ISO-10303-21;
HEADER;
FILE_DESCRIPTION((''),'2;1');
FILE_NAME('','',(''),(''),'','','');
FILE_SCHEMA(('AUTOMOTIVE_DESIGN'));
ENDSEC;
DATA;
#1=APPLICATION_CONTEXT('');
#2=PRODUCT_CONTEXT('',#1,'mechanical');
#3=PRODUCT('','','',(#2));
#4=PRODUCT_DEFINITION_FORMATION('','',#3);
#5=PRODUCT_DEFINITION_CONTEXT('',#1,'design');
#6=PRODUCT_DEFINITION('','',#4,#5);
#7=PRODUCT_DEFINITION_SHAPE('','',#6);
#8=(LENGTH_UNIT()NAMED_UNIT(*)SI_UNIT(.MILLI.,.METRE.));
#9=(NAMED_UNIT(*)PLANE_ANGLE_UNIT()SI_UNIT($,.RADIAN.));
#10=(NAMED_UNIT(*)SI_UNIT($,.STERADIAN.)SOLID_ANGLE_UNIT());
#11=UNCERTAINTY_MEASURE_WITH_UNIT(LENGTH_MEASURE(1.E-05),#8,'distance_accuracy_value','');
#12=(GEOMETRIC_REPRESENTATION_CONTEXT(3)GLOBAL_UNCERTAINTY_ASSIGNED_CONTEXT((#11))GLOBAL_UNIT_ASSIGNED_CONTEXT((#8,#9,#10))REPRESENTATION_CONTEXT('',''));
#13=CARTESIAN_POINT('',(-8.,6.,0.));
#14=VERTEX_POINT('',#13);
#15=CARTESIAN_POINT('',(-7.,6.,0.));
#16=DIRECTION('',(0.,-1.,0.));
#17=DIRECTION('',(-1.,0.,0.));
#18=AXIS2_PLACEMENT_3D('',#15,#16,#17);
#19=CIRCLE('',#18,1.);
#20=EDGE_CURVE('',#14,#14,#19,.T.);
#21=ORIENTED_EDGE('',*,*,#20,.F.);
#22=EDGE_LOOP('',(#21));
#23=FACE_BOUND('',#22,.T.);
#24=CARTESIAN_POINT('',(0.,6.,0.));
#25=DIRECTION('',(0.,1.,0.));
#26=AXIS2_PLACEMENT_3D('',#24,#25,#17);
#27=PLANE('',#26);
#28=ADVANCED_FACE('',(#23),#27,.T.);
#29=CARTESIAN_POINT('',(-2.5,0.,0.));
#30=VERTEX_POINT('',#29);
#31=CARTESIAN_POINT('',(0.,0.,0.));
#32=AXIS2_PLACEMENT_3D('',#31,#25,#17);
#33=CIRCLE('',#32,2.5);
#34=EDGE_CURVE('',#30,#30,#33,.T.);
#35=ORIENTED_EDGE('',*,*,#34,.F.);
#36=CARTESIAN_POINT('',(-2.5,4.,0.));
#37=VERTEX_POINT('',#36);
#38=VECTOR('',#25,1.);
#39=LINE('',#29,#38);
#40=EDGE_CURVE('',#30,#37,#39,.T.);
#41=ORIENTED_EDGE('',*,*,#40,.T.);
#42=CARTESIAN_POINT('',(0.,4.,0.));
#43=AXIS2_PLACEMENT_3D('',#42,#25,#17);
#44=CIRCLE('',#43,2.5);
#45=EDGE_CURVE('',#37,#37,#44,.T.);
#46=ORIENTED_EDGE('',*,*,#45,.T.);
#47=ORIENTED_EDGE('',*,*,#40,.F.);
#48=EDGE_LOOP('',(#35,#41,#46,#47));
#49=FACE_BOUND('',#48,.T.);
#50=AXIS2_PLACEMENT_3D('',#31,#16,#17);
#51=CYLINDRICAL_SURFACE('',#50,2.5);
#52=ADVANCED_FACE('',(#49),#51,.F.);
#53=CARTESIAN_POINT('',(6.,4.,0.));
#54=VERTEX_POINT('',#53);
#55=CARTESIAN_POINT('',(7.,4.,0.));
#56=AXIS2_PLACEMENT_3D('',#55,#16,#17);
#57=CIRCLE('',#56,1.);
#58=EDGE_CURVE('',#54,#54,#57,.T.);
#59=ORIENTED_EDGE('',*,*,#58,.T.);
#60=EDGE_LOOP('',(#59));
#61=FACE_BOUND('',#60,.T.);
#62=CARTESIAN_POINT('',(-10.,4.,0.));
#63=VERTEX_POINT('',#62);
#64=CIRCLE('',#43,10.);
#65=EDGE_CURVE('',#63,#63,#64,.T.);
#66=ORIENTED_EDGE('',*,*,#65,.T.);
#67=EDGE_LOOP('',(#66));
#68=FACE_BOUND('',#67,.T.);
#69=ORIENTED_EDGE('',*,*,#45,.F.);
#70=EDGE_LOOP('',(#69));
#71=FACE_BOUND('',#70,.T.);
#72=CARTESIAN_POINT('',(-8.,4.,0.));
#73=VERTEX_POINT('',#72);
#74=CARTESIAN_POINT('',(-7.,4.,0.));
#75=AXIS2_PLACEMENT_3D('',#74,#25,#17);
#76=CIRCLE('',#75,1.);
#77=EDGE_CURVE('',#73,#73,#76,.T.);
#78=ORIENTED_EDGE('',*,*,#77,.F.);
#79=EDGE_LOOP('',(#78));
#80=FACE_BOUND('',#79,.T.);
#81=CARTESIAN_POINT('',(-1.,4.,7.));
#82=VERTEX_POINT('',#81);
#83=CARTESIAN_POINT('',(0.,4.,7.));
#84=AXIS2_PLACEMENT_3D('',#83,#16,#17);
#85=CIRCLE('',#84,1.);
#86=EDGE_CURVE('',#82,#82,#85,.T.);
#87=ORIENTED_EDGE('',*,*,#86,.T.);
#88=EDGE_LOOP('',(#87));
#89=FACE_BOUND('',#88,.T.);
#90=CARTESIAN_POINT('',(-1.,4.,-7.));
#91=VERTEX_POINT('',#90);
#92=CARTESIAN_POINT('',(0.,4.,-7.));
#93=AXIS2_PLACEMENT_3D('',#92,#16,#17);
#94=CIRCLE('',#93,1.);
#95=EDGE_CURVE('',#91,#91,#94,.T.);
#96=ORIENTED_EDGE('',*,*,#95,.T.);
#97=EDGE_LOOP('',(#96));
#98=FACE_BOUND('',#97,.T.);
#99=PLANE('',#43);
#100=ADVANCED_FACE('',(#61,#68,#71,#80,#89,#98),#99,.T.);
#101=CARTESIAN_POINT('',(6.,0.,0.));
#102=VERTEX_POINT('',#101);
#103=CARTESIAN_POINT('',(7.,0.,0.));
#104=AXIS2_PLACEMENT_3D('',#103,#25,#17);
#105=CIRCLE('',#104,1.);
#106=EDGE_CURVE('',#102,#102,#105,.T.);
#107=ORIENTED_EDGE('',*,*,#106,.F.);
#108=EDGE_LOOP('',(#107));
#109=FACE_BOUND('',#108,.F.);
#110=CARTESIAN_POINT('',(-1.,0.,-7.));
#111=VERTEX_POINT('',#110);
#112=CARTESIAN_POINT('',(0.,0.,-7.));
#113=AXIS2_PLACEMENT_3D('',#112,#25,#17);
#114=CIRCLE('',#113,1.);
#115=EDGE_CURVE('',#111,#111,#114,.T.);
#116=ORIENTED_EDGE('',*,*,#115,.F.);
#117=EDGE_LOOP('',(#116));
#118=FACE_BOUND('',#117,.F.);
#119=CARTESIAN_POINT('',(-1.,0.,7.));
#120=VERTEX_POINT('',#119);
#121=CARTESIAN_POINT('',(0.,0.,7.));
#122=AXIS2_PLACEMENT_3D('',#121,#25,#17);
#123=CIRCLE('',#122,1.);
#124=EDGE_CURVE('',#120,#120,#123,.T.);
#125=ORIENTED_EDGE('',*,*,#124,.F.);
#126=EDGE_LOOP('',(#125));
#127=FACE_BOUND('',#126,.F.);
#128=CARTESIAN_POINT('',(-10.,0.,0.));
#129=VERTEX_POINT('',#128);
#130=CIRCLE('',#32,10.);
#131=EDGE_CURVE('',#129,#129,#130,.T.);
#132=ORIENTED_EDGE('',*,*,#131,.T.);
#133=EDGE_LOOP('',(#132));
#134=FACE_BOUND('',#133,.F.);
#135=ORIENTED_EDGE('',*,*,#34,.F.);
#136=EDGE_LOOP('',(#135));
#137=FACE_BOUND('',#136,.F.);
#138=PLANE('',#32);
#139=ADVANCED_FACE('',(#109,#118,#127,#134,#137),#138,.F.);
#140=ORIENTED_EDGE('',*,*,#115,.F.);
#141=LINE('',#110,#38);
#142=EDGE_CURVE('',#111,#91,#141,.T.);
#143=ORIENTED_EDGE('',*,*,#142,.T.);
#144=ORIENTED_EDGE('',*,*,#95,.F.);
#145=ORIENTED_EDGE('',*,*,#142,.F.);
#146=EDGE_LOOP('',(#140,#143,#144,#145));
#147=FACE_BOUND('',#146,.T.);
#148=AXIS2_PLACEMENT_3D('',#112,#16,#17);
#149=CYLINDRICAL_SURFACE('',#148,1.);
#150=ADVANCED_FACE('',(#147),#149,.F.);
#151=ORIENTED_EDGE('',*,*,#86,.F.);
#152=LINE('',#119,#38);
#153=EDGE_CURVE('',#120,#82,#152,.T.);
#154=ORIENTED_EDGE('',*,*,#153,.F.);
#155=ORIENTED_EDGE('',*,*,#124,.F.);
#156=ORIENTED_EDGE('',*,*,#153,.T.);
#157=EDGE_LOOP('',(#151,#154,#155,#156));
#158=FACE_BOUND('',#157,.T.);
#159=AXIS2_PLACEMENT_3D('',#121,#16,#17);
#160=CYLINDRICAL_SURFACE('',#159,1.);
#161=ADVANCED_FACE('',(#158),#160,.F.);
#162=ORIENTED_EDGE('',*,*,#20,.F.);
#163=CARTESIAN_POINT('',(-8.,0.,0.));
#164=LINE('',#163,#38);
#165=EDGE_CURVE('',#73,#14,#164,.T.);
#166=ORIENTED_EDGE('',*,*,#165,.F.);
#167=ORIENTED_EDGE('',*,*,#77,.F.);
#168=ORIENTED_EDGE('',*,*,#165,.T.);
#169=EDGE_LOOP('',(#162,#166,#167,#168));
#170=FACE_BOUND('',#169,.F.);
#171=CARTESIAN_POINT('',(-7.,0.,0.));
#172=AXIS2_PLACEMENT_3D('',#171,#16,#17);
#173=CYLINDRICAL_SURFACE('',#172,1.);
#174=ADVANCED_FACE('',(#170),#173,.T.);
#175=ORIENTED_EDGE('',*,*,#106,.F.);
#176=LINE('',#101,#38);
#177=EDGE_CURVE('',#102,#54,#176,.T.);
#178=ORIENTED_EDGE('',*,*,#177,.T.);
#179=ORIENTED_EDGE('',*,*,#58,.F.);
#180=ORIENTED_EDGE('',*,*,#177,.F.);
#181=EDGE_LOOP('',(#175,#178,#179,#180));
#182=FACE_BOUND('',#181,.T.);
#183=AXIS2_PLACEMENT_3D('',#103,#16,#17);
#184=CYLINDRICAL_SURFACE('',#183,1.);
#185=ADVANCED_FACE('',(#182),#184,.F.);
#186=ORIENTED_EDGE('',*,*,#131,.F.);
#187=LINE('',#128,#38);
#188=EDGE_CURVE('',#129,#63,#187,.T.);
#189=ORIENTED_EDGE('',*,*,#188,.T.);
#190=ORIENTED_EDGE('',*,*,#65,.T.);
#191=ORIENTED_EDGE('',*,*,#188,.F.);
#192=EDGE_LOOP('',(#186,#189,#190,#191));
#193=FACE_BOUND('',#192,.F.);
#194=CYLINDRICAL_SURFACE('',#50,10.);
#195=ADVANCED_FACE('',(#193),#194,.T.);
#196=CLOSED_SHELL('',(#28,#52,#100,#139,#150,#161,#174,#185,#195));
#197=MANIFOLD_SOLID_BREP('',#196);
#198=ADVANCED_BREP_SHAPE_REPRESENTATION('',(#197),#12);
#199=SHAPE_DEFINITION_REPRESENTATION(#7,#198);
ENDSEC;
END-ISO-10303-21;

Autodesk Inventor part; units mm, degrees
ref_plane "YZ Plane" through (0, 0, 0) normal (1, 0, 0) x (0, 1, 0)
ref_plane "XZ Plane" through (0, 0, 0) normal (0, 1, 0) x (-1, 0, 0)
ref_plane "XY Plane" through (0, 0, 0) normal (0, 0, 1) x (1, 0, 0)
sketch "Sketch1" plane through (0, 0, 0) normal (0, 1, 0) x (-1, 0, 0)
  circle A0 centre (0, 0) radius 7
  circle A1 centre (7, 0) radius 1
  circle A2 centre (0, 7) radius 1
  circle A3 centre (-7, 0) radius 1
  circle A4 centre (0, -7) radius 1
  circle A5 centre (0, 0) radius 10
  circle A6 centre (0, 0) radius 2.5
  dimension "d0" = 14
  dimension "d1" = 2
  dimension "d4" = 360
  dimension "d6" = 3
  dimension "d7" = 5
extrude "Extrusion1" add sketch "Sketch1" along normal blind 4 contours A1 A0 A4 A3 A2 | A5
extrude "Extrusion2" add sketch "Sketch1" along normal blind 6 contours A0 A1 | A0 A1
properties part number "fixhelper"
